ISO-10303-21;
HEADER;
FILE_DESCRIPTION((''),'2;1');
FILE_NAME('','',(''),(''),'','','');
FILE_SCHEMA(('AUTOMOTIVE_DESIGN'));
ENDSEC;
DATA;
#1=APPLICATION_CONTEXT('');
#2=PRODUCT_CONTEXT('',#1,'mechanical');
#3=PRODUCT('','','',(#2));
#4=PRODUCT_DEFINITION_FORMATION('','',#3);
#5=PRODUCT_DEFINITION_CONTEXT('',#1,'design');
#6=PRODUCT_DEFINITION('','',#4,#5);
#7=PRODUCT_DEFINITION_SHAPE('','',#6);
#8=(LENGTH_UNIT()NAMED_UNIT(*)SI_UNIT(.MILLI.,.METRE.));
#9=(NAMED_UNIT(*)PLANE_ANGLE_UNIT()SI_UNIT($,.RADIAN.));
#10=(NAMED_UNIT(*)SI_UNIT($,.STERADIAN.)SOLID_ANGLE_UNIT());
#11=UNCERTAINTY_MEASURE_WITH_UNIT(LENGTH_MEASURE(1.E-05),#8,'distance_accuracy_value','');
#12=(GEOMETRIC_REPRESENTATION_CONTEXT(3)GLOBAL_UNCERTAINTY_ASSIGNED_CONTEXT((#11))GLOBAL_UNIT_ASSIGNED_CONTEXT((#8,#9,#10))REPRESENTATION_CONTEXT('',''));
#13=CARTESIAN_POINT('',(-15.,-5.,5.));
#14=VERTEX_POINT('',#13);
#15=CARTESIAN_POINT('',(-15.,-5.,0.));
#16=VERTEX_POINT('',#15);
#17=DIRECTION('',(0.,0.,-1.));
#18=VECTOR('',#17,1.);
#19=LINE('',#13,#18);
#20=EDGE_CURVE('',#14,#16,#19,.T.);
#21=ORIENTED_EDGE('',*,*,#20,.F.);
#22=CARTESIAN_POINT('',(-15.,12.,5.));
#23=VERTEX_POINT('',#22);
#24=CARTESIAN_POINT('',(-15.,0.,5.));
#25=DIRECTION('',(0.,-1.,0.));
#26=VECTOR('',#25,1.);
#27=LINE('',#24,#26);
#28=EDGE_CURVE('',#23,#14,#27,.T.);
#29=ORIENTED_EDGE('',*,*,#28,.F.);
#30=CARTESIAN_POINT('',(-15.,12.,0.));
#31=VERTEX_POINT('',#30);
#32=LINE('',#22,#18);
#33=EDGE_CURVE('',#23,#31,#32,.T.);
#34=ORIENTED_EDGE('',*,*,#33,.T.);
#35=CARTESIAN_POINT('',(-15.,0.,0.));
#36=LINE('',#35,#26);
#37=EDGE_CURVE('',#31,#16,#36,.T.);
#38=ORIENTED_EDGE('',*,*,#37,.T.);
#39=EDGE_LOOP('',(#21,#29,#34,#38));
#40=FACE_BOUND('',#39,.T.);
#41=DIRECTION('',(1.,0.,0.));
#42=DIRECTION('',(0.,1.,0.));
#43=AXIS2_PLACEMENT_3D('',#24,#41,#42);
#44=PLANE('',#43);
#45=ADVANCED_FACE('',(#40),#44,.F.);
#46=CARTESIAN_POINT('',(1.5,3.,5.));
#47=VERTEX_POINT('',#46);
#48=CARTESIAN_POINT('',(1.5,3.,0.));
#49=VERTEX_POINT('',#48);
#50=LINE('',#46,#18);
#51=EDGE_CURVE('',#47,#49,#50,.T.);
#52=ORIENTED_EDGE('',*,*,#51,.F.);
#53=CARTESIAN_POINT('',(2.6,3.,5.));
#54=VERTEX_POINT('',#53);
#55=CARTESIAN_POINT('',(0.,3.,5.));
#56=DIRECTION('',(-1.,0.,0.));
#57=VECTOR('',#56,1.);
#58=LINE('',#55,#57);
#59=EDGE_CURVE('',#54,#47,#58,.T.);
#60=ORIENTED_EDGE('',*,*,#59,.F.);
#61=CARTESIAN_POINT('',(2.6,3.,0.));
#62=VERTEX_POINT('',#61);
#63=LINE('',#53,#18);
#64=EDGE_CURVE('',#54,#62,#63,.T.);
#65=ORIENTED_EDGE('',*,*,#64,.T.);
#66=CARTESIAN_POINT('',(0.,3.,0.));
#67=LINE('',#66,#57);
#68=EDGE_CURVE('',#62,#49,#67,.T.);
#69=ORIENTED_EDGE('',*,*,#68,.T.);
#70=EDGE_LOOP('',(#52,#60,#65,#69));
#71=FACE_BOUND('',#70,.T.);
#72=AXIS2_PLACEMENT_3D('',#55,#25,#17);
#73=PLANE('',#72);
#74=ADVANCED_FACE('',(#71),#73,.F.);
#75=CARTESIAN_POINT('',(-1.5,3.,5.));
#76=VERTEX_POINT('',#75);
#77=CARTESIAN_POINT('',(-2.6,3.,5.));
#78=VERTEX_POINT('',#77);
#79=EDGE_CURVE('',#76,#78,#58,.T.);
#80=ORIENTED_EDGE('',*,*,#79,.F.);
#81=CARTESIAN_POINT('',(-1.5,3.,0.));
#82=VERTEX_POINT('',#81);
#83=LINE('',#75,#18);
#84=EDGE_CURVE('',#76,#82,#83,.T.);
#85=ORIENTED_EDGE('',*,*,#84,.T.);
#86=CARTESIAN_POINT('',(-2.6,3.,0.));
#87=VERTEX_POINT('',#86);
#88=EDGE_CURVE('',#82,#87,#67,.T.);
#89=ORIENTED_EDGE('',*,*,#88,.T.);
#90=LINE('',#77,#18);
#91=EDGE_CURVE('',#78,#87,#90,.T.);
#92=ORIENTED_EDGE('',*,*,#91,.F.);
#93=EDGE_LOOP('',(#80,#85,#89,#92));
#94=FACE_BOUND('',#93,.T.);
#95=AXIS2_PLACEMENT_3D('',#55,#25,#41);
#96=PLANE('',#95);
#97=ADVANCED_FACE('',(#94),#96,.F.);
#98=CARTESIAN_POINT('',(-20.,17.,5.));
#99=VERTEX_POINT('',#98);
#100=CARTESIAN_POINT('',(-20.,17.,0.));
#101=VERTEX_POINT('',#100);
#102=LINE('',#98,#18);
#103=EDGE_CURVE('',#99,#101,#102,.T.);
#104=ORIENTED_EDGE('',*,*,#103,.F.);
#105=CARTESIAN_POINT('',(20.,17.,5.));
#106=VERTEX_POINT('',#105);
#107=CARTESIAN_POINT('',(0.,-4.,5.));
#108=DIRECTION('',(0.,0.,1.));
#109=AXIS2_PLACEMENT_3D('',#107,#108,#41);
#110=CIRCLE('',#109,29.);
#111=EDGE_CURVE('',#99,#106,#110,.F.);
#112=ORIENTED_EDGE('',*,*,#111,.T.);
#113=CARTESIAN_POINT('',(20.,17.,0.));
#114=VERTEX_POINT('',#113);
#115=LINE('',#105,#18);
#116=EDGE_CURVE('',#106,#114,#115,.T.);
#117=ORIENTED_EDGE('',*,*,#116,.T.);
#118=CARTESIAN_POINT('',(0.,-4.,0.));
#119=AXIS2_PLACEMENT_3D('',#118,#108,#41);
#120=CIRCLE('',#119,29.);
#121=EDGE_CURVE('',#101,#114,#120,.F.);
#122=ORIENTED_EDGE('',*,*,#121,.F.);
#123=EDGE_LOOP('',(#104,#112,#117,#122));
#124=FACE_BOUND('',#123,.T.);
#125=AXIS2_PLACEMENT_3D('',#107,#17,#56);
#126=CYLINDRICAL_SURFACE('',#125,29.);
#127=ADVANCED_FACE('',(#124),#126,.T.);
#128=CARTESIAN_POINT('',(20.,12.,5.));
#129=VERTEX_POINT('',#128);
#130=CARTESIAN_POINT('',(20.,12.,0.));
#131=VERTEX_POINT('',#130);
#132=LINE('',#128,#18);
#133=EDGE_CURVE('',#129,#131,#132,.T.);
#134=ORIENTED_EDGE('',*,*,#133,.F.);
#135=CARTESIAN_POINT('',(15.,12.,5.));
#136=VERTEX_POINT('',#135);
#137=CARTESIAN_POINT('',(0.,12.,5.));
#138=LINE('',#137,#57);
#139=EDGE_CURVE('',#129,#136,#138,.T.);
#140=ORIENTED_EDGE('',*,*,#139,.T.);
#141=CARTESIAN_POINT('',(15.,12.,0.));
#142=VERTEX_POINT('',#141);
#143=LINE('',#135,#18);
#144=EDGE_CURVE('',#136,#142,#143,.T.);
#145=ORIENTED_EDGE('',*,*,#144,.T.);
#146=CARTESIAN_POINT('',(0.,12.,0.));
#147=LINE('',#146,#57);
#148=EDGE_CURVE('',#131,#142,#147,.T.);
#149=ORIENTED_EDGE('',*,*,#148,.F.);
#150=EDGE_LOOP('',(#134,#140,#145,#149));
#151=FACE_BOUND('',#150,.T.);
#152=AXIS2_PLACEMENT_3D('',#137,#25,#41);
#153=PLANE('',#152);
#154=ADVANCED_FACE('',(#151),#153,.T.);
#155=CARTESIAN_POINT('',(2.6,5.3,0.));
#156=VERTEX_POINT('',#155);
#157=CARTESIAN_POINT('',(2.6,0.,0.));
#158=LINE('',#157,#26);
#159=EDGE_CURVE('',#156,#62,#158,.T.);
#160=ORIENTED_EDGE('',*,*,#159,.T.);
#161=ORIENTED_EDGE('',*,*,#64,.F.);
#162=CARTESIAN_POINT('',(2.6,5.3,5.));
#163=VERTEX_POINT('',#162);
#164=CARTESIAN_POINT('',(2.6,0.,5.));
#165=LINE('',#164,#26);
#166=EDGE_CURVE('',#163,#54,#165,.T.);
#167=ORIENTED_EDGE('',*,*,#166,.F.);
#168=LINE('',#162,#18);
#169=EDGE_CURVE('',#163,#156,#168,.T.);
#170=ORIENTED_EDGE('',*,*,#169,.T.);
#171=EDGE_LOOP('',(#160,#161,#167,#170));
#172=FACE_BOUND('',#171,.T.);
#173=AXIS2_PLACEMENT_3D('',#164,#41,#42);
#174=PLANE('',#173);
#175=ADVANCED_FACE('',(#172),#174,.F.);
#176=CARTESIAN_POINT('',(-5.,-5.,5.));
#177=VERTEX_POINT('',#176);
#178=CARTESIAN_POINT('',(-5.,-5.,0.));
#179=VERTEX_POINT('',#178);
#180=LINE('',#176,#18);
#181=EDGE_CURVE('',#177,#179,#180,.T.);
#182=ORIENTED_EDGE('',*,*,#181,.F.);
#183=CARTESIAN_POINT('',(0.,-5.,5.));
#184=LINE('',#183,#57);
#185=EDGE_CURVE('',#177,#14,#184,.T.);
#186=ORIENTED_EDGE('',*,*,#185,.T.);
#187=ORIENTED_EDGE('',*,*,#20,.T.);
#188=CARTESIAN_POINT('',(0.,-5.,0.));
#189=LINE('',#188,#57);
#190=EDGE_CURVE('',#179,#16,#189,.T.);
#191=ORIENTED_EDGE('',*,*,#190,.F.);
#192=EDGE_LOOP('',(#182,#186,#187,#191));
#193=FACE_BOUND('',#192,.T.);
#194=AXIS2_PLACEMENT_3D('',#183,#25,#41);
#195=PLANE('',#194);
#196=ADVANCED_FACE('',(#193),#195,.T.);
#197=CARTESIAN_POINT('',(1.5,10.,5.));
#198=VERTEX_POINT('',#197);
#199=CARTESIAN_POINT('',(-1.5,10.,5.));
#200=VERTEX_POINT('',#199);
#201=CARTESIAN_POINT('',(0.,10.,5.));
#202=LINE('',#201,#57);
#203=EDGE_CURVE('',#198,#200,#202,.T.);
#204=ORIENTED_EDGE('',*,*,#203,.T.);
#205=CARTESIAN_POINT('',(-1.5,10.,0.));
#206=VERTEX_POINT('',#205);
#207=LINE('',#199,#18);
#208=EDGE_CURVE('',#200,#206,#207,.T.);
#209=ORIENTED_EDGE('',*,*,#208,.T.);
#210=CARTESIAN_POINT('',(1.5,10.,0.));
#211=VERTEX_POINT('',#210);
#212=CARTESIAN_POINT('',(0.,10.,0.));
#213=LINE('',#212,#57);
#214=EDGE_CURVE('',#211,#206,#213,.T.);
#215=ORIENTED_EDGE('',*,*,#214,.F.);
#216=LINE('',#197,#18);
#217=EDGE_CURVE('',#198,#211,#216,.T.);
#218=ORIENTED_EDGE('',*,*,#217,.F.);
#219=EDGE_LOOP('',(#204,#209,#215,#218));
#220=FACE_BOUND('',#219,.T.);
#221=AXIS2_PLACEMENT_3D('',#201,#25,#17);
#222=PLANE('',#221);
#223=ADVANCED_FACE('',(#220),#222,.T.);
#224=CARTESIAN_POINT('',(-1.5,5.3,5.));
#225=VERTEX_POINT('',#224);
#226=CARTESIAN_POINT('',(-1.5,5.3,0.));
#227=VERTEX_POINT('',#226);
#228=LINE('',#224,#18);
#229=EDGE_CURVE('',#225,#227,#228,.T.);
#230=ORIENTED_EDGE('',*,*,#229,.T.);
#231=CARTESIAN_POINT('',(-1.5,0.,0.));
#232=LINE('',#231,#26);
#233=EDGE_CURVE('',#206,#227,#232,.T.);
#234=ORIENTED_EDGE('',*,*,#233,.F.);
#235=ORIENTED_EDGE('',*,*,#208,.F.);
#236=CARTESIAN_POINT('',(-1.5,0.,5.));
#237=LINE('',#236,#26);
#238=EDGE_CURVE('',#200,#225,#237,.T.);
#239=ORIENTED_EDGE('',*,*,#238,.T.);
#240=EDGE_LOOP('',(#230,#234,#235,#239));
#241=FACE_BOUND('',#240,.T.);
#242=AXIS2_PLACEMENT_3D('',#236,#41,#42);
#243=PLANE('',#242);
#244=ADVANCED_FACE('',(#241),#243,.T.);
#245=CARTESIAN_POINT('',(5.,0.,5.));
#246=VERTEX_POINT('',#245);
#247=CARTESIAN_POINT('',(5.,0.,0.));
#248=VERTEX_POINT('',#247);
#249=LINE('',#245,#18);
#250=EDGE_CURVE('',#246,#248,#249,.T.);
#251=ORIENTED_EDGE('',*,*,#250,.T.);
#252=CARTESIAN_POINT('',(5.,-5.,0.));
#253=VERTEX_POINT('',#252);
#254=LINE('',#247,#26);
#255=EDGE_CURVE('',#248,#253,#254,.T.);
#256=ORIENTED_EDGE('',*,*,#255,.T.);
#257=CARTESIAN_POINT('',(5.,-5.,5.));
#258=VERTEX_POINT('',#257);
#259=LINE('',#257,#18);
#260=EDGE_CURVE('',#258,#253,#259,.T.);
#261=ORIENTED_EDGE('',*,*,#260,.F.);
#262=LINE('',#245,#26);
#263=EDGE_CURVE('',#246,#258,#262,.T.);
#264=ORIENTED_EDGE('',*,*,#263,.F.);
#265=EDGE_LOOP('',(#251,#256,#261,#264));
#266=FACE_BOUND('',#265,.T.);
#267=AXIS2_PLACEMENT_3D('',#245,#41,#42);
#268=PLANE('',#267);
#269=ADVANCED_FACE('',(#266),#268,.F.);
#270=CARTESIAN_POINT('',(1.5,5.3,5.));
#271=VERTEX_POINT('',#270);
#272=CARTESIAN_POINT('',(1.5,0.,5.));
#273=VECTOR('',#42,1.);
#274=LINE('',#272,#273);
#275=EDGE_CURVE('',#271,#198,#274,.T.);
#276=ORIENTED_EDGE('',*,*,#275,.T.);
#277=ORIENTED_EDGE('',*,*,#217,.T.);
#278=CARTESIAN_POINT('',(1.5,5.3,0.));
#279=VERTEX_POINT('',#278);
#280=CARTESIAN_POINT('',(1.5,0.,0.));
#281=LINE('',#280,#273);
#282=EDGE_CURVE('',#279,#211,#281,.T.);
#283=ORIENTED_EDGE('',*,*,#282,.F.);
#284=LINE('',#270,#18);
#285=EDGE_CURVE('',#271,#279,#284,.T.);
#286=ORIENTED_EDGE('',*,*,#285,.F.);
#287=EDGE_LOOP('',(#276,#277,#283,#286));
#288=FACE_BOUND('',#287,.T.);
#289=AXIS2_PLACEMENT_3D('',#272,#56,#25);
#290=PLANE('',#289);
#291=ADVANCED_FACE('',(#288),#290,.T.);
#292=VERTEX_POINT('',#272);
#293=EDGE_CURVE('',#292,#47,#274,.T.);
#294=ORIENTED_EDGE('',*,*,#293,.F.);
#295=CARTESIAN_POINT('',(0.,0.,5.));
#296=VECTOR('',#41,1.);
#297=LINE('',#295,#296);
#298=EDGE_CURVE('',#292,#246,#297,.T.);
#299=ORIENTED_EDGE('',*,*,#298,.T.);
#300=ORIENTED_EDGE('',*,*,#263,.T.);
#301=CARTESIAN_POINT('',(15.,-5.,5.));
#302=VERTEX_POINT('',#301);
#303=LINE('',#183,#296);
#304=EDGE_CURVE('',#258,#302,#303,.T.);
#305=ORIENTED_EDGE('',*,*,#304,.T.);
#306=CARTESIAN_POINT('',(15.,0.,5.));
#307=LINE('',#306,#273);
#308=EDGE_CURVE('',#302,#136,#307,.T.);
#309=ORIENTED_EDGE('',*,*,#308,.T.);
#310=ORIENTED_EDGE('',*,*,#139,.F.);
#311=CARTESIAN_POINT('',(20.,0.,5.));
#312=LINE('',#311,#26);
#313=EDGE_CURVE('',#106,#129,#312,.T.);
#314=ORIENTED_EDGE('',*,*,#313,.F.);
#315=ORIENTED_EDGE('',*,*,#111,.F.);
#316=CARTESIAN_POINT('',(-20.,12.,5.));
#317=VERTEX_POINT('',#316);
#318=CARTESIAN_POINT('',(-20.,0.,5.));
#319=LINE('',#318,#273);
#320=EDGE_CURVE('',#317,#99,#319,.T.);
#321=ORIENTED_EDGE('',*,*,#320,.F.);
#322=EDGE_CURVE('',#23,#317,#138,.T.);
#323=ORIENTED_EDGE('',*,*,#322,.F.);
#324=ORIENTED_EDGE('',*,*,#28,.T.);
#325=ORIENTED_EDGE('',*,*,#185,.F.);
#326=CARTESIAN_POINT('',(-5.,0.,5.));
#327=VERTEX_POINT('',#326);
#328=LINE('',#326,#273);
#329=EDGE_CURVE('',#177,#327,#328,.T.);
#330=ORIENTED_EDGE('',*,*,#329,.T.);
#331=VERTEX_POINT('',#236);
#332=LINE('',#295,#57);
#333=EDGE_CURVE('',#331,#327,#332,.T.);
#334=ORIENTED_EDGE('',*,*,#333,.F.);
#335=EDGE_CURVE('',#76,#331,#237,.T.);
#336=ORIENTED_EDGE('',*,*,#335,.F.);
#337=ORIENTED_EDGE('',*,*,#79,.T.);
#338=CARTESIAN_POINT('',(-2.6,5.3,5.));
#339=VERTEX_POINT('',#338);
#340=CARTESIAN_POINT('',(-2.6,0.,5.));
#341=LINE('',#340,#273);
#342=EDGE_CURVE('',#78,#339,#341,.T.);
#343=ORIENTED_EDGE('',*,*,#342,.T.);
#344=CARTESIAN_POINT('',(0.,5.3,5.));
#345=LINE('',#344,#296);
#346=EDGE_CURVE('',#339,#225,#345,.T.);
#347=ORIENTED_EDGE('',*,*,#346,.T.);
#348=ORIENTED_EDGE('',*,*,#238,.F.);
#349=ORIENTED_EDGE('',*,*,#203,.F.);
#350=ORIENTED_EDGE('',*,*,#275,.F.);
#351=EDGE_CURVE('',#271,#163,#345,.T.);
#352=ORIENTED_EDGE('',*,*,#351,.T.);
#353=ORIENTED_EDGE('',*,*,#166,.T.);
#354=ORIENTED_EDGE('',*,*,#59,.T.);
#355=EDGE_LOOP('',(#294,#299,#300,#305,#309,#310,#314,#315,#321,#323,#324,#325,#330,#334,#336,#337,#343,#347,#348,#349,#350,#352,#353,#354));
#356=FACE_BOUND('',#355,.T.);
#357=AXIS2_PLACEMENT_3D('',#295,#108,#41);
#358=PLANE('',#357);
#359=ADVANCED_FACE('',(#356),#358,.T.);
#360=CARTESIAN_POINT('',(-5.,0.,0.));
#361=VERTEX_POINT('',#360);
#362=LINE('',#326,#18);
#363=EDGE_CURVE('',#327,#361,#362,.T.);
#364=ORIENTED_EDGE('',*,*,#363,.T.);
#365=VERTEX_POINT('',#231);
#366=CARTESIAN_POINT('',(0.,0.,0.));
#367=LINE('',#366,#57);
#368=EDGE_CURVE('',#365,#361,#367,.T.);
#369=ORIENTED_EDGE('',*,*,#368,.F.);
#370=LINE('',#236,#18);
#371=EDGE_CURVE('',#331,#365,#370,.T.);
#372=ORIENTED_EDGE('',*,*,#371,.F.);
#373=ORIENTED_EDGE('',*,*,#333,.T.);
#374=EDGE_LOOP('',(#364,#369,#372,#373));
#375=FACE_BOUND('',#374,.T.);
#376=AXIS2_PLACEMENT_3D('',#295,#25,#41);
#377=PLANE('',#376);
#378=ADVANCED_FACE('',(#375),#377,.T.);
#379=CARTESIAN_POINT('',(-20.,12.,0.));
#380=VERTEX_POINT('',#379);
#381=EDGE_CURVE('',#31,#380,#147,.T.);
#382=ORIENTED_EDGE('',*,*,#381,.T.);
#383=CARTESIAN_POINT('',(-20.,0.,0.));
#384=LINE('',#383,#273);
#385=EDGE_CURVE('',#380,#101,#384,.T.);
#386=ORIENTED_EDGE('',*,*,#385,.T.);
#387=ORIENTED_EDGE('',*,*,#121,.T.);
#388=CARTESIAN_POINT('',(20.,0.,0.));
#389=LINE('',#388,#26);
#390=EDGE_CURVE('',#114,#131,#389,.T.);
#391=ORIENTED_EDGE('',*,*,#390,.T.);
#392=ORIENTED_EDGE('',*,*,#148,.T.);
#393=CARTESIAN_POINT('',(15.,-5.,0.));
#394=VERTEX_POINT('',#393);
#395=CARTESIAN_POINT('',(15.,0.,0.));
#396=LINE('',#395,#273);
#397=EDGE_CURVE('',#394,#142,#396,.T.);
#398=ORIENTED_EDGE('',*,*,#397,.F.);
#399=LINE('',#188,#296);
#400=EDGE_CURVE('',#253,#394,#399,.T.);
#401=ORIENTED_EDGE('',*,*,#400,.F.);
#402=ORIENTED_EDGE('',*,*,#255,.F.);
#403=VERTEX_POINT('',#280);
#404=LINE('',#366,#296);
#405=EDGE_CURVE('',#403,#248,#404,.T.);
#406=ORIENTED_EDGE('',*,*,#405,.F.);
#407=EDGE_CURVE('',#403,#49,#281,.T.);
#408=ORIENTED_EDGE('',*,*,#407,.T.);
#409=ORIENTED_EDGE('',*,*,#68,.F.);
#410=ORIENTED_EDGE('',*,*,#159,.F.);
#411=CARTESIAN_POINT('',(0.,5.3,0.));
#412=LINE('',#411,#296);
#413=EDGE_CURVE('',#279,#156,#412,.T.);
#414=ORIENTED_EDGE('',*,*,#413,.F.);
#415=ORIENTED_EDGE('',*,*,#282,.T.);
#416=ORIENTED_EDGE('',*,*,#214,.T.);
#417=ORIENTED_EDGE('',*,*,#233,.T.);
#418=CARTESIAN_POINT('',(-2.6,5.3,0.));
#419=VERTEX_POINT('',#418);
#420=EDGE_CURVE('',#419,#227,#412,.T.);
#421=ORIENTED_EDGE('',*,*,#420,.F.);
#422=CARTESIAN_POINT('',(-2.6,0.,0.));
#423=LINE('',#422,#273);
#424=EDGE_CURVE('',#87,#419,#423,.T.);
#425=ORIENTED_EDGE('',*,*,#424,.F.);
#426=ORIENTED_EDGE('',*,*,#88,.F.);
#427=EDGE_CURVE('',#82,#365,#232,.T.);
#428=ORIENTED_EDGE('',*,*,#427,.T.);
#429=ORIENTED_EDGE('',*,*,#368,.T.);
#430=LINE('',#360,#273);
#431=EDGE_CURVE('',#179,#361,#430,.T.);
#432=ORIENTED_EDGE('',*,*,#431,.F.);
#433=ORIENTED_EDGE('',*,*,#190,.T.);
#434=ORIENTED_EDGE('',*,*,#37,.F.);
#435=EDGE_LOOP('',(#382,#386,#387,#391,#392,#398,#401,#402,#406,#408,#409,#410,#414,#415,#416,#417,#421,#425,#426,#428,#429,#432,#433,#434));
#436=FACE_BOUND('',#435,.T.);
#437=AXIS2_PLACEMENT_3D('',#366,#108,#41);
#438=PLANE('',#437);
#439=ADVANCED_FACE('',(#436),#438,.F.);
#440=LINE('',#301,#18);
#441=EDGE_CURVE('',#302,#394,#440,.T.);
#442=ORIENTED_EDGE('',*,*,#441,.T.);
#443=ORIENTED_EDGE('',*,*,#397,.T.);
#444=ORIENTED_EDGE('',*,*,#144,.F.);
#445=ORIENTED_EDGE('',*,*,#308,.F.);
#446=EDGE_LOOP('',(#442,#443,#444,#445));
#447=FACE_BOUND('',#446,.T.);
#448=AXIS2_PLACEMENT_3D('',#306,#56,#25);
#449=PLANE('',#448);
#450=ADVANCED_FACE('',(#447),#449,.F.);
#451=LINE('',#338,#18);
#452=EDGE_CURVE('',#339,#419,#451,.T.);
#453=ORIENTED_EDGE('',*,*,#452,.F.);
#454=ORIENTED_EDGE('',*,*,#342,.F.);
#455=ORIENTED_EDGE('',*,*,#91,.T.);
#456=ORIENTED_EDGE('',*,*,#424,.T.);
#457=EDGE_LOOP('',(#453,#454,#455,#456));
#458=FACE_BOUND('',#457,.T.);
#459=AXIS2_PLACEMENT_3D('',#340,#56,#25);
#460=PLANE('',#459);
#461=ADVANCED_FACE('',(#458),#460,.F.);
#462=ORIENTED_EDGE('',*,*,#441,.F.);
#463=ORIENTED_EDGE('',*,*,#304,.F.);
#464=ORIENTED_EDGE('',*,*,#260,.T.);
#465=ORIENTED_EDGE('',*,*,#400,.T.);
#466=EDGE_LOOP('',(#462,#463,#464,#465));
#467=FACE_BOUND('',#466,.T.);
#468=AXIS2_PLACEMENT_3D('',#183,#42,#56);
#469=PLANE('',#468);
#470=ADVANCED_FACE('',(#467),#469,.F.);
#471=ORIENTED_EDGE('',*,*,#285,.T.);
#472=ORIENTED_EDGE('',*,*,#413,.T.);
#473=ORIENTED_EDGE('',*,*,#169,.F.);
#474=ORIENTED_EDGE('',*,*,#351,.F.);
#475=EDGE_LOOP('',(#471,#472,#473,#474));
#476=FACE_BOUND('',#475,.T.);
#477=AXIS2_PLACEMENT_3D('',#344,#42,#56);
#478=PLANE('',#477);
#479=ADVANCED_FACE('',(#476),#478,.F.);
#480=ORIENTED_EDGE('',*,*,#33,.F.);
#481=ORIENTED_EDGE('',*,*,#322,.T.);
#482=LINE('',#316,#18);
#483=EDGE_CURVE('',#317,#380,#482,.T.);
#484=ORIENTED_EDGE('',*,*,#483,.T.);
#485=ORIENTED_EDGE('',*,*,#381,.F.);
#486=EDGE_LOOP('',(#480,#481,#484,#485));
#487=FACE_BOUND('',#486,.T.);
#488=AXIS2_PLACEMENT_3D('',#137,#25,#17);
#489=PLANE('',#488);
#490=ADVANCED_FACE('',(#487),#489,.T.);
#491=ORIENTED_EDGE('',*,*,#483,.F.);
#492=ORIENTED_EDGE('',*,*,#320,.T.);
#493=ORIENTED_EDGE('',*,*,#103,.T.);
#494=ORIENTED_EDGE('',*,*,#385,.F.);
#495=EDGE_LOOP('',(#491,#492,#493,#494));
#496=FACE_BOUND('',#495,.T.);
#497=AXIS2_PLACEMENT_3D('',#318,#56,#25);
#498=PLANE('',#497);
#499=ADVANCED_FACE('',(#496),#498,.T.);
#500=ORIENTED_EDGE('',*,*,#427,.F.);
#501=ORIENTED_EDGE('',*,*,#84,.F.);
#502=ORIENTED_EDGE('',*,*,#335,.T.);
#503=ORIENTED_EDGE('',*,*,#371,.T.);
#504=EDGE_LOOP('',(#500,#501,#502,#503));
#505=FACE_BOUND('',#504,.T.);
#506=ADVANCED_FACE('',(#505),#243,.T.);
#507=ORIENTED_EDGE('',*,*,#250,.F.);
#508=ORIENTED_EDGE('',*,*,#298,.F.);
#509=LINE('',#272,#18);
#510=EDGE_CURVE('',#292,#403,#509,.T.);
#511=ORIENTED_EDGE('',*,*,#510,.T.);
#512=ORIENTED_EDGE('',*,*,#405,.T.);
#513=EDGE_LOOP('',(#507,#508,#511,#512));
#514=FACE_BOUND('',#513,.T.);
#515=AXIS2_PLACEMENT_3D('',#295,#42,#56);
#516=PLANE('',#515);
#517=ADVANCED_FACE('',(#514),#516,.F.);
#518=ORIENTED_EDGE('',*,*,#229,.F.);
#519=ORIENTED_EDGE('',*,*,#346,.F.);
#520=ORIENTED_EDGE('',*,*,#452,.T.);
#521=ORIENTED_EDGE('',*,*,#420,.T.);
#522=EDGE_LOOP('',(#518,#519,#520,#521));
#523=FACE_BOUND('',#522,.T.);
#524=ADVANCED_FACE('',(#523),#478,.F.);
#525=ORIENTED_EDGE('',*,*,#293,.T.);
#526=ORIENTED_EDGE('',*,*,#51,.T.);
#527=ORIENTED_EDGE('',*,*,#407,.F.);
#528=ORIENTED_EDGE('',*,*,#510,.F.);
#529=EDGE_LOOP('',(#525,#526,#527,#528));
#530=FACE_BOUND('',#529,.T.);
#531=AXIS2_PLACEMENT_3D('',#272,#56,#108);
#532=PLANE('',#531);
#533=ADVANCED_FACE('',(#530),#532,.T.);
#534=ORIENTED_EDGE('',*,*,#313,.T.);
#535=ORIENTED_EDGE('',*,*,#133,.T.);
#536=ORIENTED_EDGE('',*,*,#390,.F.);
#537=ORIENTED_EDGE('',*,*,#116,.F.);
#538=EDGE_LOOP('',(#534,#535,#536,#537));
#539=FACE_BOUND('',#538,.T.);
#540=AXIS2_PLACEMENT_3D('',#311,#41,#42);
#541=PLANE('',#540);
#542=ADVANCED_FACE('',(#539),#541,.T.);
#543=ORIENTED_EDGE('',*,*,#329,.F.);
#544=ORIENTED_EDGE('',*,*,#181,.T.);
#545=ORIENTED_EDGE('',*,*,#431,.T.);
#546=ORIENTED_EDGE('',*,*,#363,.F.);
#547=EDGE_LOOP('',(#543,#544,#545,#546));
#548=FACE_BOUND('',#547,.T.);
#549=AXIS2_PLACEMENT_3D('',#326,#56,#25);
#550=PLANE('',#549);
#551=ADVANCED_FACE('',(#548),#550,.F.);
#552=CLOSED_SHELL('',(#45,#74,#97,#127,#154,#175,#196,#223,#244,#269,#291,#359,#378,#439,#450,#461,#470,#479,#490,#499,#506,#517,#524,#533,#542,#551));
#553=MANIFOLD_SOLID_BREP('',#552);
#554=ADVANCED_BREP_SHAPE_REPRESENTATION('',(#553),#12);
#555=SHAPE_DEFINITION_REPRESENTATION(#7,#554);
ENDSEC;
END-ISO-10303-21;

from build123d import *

# Parameters (mm, degrees)
BOSS_EXTRU_1_DEPTH = 5


with BuildPart() as part:
    # Esquisse1 → Boss.-Extru.1 (new body)
    with BuildSketch(Plane.XY):
        with BuildLine():
            Line((-1.5, 3), (-1.5, 0))
            Line((-1.5, 0), (-5, 0))
            Line((-5, 0), (-5, -5))
            Line((-5, -5), (-15, -5))
            Line((-15, -5), (-15, 0))
            Line((-15, 0), (-15, 12))
            Line((-15, 12), (-20, 12))
            Line((-20, 12), (-20, 17))
            ThreePointArc((-20, 17), (0, 25), (20, 17))
            Line((20, 17), (20, 12))
            Line((20, 12), (15, 12))
            Line((15, 12), (15, 0))
            Line((15, 0), (15, -5))
            Line((15, -5), (5, -5))
            Line((5, -5), (5, 0))
            Line((5, 0), (1.5, 0))
            Line((1.5, 0), (1.5, 3))
            Line((1.5, 3), (2.6, 3))
            Line((2.6, 3), (2.6, 5.3))
            Line((2.6, 5.3), (1.5, 5.3))
            Line((1.5, 5.3), (1.5, 10))
            Line((1.5, 10), (-1.5, 10))
            Line((-1.5, 10), (-1.5, 5.3))
            Line((-1.5, 5.3), (-2.6, 5.3))
            Line((-2.6, 5.3), (-2.6, 3))
            Line((-2.6, 3), (-1.5, 3))
        make_face()
    extrude(amount=BOSS_EXTRU_1_DEPTH)


solid = part.part
